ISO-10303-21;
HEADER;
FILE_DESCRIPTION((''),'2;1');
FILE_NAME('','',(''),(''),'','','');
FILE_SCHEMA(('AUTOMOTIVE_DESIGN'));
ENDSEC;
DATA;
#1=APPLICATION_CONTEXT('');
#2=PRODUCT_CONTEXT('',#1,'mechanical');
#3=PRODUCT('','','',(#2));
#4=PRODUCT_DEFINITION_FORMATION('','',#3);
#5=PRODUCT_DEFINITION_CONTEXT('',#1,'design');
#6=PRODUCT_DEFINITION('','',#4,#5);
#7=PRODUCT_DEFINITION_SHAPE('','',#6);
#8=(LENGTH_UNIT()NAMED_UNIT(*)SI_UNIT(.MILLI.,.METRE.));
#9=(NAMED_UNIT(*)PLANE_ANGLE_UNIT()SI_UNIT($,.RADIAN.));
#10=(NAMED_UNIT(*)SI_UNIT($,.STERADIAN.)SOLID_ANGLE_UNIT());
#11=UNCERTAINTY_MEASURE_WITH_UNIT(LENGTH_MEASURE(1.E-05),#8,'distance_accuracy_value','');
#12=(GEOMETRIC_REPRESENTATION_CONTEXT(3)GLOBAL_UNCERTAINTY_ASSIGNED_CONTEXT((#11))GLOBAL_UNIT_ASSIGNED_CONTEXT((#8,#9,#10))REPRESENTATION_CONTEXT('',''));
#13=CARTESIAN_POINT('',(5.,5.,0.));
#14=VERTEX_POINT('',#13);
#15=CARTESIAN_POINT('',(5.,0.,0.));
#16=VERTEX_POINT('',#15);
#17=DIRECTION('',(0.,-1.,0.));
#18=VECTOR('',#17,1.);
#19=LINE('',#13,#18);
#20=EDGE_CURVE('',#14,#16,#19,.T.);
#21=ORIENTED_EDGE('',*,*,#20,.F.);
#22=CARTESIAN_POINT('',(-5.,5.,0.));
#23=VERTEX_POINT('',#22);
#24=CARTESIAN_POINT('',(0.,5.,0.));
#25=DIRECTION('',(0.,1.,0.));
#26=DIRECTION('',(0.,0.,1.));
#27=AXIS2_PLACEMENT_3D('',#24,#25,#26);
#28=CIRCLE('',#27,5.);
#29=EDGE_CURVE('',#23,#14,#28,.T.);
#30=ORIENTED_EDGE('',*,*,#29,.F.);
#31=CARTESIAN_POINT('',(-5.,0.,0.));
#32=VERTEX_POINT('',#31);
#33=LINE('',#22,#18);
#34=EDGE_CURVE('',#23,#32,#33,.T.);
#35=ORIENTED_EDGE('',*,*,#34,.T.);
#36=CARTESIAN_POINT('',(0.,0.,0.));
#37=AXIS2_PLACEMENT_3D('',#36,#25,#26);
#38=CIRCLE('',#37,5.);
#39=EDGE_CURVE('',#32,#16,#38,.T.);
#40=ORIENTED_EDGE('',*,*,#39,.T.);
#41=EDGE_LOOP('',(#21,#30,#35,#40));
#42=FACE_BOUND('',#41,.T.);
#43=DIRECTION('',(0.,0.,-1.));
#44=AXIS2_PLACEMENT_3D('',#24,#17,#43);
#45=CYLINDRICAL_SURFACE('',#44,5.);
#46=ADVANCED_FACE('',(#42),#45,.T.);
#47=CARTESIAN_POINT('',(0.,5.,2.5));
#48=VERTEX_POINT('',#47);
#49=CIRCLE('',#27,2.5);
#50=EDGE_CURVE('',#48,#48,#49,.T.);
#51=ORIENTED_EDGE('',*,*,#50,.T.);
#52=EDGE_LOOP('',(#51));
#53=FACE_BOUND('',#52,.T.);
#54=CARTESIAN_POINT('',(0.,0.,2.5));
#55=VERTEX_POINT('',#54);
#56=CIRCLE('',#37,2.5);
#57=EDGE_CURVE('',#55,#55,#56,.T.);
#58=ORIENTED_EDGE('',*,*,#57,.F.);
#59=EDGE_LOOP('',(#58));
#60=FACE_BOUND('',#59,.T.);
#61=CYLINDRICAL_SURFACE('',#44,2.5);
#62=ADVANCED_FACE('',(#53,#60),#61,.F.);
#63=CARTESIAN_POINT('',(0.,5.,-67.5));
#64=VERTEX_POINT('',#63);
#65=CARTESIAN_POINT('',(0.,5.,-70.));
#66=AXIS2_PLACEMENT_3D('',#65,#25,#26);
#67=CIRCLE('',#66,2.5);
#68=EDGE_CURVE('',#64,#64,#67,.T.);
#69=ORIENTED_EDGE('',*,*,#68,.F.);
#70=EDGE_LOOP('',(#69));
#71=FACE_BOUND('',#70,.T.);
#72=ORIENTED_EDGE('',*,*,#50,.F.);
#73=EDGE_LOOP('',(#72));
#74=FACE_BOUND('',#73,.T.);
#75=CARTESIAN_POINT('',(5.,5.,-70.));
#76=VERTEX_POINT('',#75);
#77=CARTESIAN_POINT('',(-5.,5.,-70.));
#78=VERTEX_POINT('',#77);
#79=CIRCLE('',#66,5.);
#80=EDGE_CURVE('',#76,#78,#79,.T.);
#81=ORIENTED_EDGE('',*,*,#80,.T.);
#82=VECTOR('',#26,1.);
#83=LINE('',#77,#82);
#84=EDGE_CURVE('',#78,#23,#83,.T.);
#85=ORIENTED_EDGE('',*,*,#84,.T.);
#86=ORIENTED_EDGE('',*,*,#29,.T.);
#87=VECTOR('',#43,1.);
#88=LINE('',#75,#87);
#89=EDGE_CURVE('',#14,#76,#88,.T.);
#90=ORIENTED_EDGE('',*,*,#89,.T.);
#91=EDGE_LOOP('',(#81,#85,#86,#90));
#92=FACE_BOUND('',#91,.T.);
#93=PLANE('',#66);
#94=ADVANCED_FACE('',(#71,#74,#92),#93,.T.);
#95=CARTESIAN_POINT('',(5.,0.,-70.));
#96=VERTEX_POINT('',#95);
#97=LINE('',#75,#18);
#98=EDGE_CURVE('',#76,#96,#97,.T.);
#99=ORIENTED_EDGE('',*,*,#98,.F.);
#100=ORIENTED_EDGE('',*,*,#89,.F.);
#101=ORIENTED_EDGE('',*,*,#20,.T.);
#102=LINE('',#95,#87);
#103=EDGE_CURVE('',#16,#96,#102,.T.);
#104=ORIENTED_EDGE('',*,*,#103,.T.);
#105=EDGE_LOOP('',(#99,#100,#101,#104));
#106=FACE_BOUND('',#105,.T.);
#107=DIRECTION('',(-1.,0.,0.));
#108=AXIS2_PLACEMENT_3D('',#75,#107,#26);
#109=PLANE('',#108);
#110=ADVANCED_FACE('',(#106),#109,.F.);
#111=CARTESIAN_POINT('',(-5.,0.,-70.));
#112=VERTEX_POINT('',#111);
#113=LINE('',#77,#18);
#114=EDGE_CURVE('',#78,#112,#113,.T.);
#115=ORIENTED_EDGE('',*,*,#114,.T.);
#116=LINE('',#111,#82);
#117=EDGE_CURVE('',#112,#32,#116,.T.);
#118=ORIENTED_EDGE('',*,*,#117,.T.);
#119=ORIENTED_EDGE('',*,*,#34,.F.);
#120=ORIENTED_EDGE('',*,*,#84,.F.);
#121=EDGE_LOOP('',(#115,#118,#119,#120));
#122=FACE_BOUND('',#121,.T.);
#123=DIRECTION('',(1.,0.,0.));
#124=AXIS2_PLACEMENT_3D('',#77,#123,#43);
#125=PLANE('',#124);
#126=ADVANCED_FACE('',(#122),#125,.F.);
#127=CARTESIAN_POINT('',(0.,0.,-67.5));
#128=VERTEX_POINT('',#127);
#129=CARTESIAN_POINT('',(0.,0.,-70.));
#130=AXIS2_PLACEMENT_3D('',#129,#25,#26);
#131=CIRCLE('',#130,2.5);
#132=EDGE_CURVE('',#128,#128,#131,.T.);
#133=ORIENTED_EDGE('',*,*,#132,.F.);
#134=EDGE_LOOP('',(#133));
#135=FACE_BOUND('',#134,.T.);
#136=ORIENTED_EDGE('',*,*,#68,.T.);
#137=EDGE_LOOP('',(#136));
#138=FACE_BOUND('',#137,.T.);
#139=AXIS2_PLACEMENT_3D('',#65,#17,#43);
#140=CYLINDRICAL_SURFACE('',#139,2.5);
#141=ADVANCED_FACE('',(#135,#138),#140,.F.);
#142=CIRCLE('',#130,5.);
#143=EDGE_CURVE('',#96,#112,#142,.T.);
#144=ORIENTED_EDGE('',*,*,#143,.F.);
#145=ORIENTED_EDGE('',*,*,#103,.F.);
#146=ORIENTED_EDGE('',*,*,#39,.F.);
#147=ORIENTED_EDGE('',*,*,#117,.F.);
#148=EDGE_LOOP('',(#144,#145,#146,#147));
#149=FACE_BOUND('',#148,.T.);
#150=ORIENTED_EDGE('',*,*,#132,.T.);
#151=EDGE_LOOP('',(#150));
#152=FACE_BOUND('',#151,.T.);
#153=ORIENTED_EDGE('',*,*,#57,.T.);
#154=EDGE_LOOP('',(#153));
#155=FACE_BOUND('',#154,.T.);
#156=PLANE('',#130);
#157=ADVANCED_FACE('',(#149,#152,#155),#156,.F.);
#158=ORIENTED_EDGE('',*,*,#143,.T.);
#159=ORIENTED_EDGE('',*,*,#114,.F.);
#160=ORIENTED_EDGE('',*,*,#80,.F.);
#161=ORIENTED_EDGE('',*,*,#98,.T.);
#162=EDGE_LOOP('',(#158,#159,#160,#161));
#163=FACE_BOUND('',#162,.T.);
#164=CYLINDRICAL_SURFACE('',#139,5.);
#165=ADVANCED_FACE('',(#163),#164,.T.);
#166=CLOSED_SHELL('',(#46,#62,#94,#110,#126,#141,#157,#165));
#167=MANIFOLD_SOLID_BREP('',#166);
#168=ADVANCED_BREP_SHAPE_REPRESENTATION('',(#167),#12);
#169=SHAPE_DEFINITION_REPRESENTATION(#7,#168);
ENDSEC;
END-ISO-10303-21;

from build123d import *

# Parameters (mm, degrees)
CROQUIS1_R              = 2.5
SALIENTE_EXTRUIR1_DEPTH = 5


with BuildPart() as part:
    # Croquis1 → Saliente-Extruir1 (new body)
    with BuildSketch(Plane(origin=(0, 0, 0), x_dir=(1, 0, 0), z_dir=(0, 1, 0))):
        with BuildLine():
            Line((-5, 70), (-5, 0))
            ThreePointArc((-5, 0), (0, -5), (5, 0))
            Line((5, 0), (5, 70))
            ThreePointArc((5, 70), (0, 75), (-5, 70))
        make_face()
        with Locations(Location((0, 0, 0), (0, 0, 270))):
            Circle(CROQUIS1_R, mode=Mode.SUBTRACT)
        with Locations(Location((0, 70, 0), (0, 0, 270))):
            Circle(CROQUIS1_R, mode=Mode.SUBTRACT)
    extrude(amount=SALIENTE_EXTRUIR1_DEPTH)


solid = part.part
